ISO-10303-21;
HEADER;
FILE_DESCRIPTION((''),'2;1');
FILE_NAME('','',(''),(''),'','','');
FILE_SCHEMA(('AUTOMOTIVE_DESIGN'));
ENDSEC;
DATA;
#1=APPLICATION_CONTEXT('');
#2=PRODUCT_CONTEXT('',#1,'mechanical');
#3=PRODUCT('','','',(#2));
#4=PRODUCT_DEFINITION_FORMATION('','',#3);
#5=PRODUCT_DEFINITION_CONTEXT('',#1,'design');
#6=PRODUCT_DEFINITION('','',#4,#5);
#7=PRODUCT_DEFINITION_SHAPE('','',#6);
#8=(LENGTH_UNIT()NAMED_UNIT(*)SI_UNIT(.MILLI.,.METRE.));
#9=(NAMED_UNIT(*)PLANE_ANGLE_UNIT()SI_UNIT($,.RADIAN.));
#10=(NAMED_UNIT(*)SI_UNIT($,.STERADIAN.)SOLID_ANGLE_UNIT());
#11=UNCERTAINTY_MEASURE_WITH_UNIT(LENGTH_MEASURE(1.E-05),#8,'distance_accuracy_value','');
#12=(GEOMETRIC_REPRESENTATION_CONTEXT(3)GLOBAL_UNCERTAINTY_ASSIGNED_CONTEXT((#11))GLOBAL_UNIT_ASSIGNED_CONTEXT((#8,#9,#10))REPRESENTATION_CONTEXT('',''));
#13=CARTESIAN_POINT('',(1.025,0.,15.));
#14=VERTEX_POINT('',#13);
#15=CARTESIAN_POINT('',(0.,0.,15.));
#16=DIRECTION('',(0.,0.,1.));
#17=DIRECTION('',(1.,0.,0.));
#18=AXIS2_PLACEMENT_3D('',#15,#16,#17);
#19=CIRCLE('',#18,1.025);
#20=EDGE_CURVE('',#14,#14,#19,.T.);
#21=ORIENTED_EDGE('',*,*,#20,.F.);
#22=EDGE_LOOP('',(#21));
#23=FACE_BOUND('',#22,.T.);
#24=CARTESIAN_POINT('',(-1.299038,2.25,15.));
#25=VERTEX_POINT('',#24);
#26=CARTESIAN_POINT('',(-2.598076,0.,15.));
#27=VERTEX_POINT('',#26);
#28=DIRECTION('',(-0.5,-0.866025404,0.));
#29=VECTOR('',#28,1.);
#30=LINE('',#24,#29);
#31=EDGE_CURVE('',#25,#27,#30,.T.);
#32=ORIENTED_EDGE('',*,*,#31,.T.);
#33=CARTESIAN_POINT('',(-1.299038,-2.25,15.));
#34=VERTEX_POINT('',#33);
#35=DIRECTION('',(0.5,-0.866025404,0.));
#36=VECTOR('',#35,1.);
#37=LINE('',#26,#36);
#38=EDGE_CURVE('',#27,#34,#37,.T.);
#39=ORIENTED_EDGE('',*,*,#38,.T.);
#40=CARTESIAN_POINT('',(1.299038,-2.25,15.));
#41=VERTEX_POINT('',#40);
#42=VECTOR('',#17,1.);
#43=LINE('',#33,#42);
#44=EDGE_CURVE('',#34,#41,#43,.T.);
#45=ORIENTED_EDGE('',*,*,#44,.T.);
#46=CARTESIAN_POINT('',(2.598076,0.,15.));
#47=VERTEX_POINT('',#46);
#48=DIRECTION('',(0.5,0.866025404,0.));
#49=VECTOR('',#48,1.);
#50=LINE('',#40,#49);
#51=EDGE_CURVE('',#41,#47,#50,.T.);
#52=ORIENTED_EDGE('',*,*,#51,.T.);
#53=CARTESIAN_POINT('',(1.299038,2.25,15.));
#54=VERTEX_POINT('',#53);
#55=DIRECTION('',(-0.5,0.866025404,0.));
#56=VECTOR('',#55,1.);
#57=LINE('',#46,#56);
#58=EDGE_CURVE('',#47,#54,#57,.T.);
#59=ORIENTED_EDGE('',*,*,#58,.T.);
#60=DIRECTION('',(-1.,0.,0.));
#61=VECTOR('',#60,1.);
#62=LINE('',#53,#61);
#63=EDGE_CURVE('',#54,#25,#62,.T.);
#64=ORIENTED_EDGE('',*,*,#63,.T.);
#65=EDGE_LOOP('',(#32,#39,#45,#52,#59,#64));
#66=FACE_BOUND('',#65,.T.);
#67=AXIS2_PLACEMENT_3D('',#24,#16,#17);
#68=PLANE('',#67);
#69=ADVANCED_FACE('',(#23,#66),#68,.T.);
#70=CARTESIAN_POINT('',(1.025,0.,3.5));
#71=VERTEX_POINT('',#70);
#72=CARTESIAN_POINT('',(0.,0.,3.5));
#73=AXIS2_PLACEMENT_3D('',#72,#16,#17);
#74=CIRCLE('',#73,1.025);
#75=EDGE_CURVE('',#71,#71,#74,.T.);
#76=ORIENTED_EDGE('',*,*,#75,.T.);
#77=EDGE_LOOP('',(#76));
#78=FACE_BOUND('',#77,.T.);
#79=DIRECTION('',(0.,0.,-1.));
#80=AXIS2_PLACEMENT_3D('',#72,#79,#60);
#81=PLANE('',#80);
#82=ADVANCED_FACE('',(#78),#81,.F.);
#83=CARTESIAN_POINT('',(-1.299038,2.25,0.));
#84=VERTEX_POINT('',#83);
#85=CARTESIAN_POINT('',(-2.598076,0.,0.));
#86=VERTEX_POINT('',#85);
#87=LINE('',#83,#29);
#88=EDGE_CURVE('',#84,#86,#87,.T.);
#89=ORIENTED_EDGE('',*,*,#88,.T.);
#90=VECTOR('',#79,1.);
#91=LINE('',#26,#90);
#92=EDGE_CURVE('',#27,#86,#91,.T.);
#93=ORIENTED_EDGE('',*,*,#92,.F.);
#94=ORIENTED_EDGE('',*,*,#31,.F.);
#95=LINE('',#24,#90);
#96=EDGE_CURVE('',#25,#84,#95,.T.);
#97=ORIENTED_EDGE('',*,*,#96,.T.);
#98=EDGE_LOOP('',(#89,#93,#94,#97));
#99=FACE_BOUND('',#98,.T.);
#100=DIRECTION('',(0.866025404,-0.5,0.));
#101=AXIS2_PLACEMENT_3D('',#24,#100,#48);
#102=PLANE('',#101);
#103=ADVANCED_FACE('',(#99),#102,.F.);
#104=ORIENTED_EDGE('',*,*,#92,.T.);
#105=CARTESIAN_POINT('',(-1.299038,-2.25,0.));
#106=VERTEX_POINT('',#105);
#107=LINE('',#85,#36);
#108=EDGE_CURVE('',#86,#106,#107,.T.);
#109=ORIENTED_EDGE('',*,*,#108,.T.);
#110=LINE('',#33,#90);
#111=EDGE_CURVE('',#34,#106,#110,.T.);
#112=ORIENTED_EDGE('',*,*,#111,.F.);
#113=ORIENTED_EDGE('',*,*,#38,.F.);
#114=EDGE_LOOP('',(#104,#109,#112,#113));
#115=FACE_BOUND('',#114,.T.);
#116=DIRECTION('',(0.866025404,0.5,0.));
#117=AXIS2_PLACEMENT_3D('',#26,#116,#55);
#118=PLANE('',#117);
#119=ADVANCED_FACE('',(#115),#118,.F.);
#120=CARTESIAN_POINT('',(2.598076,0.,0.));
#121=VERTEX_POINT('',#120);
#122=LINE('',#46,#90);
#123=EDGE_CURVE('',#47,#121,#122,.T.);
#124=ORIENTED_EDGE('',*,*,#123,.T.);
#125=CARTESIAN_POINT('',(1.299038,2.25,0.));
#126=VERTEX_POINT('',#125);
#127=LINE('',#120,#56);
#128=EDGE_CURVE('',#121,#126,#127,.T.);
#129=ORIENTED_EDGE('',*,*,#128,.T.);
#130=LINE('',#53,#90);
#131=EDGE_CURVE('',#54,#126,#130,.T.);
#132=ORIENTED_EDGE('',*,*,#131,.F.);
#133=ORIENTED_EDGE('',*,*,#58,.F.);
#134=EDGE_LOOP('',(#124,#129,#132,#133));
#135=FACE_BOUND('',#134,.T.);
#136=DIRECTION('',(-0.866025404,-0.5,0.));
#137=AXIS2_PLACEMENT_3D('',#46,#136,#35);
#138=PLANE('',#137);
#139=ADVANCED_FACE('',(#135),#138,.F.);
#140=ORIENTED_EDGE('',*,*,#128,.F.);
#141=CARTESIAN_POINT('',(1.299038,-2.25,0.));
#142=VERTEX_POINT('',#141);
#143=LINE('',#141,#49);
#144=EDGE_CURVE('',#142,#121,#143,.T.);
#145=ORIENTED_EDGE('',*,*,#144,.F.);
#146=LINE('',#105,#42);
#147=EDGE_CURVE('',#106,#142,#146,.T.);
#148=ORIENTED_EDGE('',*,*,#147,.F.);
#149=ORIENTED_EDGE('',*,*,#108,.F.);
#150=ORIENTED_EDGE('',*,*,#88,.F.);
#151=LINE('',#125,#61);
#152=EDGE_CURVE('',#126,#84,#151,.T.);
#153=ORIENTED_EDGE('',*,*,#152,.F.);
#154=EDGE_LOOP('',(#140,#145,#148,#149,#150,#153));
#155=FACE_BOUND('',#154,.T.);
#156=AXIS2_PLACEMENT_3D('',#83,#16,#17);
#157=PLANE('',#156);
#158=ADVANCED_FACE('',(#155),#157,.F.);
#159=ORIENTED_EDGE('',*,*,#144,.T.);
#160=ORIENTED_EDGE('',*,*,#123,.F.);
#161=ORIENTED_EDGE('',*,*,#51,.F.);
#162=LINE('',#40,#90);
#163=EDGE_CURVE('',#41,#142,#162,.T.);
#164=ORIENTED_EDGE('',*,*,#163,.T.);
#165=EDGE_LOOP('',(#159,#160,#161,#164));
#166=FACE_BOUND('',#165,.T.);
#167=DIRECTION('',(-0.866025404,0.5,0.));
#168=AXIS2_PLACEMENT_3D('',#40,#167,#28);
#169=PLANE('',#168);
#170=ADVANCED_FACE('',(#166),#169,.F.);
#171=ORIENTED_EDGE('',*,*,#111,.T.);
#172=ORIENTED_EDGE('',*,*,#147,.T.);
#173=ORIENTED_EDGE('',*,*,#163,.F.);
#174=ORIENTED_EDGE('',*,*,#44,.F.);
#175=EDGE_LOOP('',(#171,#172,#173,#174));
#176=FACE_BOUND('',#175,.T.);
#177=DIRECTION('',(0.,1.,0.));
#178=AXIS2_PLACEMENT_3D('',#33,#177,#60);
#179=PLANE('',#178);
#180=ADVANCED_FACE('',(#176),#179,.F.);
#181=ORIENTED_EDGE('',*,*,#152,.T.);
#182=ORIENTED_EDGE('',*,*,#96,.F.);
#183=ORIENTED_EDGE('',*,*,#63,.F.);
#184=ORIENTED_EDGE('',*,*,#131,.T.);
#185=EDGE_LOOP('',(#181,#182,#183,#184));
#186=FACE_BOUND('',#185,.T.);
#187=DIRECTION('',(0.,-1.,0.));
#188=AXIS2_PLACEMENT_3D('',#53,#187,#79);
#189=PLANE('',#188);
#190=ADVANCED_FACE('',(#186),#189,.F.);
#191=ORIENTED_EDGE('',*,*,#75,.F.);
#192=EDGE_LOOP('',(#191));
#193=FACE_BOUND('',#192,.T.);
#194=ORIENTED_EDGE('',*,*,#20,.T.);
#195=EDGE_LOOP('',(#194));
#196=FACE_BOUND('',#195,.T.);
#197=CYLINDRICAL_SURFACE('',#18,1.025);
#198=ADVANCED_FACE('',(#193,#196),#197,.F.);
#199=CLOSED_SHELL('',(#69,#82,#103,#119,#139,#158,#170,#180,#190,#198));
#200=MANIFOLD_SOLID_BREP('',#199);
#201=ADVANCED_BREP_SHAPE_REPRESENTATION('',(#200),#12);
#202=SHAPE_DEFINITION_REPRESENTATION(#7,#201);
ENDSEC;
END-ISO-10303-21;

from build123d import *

# Parameters (mm, degrees)
BOSS_EXTRUDE1_DEPTH           = 15
TAP_DRILL_FOR_M2_5_TAP1_D     = 2.05
TAP_DRILL_FOR_M2_5_TAP1_DEPTH = 11.5


with BuildPart() as part:
    # Sketch1 → Boss-Extrude1 (new body)
    with BuildSketch(Plane.XY):
        Polygon((-1.299038106, 2.25), (-2.598076211, 0), (-1.299038106, -2.25), (1.299038106, -2.25), (2.598076211, 0), (1.299038106, 2.25), align=None)
    extrude(amount=BOSS_EXTRUDE1_DEPTH)

    # Tap Drill for M2.5 Tap1
    with Locations(Plane.XY.offset(15)):
        with Locations((0, 0)):
            Hole(TAP_DRILL_FOR_M2_5_TAP1_D / 2, depth=TAP_DRILL_FOR_M2_5_TAP1_DEPTH)


solid = part.part
